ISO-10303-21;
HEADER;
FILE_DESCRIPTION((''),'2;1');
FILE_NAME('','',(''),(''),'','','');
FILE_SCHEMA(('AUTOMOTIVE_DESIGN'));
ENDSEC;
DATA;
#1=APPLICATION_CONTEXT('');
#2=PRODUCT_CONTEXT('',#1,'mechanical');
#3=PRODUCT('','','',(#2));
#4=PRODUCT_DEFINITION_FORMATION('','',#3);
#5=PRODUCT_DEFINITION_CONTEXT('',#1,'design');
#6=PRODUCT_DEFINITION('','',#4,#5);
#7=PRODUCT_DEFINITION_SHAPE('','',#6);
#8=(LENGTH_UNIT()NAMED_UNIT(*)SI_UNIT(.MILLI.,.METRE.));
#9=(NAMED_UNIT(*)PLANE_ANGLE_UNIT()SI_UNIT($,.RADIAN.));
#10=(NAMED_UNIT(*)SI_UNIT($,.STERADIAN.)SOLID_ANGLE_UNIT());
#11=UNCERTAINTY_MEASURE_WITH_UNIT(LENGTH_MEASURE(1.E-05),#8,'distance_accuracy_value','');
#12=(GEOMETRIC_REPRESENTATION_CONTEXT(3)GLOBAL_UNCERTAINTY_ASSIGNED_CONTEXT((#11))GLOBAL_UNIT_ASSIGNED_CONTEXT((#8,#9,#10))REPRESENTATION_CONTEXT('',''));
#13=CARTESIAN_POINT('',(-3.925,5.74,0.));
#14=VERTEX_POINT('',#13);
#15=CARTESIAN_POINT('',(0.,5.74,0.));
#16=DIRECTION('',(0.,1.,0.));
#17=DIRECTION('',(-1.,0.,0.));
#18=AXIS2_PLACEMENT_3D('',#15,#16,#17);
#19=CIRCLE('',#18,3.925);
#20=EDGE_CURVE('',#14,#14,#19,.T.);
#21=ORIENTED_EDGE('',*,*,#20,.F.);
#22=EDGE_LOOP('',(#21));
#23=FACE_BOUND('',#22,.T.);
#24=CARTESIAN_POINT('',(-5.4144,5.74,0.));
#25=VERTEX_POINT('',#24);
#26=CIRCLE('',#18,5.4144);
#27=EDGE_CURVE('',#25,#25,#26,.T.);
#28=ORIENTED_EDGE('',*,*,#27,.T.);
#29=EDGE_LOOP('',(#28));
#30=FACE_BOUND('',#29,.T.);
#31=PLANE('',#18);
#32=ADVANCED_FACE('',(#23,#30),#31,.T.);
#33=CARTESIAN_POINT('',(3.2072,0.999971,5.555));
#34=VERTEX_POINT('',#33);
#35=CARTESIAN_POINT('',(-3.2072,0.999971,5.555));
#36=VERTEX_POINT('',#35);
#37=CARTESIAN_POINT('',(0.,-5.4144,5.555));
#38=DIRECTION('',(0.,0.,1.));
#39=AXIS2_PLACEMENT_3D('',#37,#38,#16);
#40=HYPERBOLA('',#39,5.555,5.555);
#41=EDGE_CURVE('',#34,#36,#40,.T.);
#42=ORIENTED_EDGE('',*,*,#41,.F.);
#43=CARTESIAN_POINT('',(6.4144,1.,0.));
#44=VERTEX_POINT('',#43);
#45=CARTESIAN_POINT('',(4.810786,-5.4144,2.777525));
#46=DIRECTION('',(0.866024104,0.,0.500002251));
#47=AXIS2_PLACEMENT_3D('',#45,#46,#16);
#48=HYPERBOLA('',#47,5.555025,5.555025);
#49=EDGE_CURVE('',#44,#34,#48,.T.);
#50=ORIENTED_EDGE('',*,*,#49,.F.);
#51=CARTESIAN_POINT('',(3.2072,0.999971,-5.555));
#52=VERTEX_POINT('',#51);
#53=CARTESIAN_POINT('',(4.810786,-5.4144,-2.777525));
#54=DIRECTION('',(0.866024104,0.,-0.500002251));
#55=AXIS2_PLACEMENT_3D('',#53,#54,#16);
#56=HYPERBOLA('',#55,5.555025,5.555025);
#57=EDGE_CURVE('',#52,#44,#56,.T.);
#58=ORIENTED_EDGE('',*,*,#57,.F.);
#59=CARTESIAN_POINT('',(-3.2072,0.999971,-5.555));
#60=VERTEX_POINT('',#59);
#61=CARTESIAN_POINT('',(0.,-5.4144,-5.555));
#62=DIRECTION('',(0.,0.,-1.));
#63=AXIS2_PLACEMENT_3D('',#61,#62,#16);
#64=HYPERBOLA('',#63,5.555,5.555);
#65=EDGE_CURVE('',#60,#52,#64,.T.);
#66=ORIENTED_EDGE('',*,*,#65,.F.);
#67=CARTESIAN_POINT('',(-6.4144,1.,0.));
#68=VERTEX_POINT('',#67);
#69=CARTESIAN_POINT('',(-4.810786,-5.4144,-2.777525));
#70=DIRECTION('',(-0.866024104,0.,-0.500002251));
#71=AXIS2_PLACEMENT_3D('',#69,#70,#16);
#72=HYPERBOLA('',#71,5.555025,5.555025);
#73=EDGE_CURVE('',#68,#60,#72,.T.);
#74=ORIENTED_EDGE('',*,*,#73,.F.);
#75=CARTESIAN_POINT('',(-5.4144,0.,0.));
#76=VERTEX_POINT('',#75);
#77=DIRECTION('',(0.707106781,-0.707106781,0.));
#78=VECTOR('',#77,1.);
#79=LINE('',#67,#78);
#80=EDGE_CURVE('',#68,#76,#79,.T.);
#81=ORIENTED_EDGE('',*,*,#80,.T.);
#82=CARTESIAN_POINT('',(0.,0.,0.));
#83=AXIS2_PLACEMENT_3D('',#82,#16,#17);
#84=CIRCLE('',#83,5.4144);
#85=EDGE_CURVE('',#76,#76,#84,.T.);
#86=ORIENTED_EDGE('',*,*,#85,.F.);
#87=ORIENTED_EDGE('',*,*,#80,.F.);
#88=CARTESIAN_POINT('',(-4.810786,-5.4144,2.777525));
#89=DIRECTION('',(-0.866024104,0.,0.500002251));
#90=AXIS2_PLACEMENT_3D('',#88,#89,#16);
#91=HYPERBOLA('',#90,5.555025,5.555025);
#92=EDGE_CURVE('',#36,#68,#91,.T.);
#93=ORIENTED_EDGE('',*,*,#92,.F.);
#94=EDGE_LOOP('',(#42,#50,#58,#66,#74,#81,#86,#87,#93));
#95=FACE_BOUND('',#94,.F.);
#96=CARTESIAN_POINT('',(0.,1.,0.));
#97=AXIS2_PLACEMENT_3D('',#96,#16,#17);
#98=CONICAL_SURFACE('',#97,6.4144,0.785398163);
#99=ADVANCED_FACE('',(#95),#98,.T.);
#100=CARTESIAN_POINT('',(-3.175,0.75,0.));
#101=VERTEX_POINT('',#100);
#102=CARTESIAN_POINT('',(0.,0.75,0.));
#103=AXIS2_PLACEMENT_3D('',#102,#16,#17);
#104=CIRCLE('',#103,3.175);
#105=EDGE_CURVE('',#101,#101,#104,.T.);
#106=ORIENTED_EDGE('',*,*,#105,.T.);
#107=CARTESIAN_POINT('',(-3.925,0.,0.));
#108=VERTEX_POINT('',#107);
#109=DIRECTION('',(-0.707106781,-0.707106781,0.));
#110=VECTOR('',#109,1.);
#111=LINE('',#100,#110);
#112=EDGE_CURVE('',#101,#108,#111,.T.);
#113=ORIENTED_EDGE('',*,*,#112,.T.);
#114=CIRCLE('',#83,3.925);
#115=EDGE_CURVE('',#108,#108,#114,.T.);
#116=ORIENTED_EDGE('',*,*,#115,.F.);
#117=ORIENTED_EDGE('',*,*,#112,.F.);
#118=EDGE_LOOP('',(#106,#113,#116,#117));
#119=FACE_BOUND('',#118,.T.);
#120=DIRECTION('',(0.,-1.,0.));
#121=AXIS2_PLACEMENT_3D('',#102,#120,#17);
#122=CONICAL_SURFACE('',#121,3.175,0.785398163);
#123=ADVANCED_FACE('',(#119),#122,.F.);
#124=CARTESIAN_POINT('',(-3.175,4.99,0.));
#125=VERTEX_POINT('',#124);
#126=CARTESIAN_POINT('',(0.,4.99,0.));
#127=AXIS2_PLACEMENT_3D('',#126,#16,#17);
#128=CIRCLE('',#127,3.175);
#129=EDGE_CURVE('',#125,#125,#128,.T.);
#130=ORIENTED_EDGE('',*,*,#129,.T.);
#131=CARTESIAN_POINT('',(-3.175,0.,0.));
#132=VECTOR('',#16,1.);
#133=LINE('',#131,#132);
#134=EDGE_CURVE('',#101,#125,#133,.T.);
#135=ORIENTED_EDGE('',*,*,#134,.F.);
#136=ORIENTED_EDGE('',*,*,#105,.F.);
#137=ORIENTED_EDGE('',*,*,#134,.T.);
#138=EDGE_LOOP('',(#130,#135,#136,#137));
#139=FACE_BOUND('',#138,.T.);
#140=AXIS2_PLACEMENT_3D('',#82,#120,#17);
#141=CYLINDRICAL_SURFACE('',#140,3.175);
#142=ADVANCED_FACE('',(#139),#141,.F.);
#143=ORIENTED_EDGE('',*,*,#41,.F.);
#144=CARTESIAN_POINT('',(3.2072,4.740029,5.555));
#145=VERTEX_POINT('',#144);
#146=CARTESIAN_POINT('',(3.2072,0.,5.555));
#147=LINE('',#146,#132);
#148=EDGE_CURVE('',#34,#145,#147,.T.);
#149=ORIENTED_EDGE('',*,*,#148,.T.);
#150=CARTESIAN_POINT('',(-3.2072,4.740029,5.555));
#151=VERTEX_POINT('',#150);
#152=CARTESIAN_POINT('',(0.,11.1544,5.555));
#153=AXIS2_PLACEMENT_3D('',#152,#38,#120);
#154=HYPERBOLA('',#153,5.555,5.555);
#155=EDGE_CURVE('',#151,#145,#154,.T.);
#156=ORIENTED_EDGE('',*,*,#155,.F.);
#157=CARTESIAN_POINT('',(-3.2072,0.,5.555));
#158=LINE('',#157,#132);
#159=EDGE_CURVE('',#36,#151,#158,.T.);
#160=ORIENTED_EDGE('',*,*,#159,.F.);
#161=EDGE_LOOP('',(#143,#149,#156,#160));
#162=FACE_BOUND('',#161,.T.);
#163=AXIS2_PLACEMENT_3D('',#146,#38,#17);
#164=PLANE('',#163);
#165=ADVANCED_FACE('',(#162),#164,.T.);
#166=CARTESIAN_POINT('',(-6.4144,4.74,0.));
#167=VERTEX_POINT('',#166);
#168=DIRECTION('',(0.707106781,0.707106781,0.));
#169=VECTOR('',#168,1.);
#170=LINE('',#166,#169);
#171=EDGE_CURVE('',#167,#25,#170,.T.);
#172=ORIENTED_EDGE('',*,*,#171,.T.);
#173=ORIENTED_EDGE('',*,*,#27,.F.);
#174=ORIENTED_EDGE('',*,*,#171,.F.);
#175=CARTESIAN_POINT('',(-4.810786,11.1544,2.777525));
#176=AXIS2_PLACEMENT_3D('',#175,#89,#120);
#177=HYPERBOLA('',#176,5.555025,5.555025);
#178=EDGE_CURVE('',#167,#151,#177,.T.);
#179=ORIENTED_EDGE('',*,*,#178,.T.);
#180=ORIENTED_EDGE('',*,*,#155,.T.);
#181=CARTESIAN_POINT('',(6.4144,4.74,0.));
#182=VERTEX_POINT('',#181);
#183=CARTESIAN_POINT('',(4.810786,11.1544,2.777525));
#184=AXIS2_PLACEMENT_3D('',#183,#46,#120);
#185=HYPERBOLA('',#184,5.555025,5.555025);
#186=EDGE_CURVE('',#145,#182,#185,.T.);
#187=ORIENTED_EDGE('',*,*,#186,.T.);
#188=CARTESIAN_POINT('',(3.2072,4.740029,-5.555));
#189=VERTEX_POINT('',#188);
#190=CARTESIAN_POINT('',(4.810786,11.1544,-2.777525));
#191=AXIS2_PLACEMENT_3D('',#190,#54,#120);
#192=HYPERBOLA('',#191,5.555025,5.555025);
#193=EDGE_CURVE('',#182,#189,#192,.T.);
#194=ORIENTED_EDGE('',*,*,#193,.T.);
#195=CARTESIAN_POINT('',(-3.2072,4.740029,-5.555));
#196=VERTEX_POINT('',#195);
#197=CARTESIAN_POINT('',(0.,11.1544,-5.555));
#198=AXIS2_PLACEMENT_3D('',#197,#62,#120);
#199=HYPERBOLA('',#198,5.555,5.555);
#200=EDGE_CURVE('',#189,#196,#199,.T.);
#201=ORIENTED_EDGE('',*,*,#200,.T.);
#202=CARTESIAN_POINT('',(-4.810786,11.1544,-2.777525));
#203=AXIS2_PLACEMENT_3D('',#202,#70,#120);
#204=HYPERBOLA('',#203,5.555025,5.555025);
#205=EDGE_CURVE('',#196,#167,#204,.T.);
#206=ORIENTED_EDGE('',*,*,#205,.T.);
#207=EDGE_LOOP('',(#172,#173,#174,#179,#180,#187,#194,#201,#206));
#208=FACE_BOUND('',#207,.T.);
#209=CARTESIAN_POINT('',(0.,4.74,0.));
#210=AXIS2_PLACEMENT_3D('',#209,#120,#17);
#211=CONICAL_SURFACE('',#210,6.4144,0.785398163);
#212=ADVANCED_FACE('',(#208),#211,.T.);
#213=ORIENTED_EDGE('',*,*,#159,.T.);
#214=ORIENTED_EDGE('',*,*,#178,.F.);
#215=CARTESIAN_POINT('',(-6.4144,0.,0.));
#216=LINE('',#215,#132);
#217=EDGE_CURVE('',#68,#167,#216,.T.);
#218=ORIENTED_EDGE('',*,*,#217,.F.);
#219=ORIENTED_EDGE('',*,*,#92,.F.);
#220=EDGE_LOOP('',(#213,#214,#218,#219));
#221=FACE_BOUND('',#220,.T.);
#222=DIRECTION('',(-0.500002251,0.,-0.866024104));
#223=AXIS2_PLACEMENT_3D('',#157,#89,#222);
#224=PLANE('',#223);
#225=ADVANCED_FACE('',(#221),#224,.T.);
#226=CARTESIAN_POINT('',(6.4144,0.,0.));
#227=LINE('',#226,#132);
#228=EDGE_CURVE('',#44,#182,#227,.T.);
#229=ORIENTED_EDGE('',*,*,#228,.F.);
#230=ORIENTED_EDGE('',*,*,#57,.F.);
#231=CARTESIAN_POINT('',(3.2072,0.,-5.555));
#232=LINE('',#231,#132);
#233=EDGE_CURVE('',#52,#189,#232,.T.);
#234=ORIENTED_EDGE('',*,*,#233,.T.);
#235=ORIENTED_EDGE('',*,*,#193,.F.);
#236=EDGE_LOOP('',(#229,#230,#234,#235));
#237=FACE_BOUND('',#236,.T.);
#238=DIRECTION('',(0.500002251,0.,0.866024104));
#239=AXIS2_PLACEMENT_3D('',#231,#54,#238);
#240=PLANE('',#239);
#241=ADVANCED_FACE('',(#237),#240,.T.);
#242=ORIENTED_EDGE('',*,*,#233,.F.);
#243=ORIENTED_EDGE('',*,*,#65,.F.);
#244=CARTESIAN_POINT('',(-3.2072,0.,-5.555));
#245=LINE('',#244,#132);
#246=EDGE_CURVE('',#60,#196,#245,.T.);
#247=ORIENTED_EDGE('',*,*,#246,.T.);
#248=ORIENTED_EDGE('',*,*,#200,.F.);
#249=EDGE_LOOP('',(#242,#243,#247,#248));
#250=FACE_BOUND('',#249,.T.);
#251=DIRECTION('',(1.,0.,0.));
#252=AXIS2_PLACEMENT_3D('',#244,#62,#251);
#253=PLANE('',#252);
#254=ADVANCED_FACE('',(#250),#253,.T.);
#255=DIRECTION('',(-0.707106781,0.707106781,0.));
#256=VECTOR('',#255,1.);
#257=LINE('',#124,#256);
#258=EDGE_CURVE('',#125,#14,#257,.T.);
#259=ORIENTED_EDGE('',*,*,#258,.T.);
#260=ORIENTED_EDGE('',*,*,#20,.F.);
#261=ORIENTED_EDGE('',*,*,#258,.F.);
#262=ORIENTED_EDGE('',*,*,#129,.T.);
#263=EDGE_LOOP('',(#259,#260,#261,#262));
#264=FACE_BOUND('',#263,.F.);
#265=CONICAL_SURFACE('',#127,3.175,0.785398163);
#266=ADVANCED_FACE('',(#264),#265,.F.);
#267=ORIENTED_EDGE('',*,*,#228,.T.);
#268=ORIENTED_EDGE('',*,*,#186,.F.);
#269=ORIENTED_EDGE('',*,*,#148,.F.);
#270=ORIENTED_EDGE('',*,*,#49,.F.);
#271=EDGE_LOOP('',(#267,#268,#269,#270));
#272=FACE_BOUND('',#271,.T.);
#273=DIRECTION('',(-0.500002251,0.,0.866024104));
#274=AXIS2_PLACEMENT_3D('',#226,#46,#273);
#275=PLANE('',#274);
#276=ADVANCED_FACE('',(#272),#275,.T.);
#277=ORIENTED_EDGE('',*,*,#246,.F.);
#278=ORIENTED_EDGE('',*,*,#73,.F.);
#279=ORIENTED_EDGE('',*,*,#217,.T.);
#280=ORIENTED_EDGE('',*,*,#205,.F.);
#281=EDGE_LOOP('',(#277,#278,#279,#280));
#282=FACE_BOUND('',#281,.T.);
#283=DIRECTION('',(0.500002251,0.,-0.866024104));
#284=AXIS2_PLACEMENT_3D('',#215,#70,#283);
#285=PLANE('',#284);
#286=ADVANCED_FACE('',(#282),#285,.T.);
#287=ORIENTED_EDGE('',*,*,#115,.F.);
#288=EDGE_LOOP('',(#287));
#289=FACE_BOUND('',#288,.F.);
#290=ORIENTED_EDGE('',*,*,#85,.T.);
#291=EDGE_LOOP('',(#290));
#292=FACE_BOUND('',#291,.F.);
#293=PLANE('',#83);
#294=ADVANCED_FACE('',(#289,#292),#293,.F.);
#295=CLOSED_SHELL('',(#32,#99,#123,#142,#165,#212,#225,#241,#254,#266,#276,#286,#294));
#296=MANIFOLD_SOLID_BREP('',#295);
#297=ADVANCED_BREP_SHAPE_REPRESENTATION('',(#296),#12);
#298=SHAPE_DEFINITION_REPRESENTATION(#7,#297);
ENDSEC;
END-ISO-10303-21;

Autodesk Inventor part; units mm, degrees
ref_plane "YZ Plane" through (0, 0, 0) normal (1, 0, 0) x (0, 1, 0)
ref_plane "XZ Plane" through (0, 0, 0) normal (0, 1, 0) x (-1, 0, 0)
ref_plane "XY Plane" through (0, 0, 0) normal (0, 0, 1) x (1, 0, 0)
sketch "Esboço1" plane through (0, 0, 0) normal (0, 1, 0) x (-1, 0, 0)
  circle A0 centre (0, 0) radius 3.175
  line L0 (-3.2072, -5.555) -> (-6.4144, 0)
  line L1 (-6.4144, 0) -> (-3.2072, 5.555)
  line L2 (-3.2072, 5.555) -> (3.2072, 5.555)
  line L3 (3.2072, 5.555) -> (6.4144, 0)
  line L4 (6.4144, 0) -> (3.2072, -5.555)
  line L5 (3.2072, -5.555) -> (-3.2072, -5.555)
  dimension "d0" = 6.35
extrude "Extrusão1" add sketch "Esboço1" along normal blind 5.74
thread "Rosca1" size "1/4-20 UNC" class "2B" standard "ANSI Unified Screw Threads" full length
sketch "Esboço2" plane through (0, 0, 0) normal (0, 0, 1) x (1, 0, 0)
  line L0 (0, 0) -> (-3.175, 0)
  line L1 (3.2072, 5.74) -> (-3.2072, 5.74) projected
  line L2 (-3.2072, 5.74) -> (-6.4144, 5.74) projected
  line L3 (0, 0) -> (0, 10.6611)
  line L4 (-6.4144, 4.74) -> (-5.4144, 5.74)
  line L5 (-3.175, 4.99) -> (-3.925, 5.74)
  line L6 (-3.2072, 2.87) -> (-11.6119, 2.87)
  line L7 (-6.4144, 4.74) -> (-6.4144, 5.74)
  line L8 (-6.4144, 5.74) -> (-5.4144, 5.74)
  line L9 (-3.925, 5.74) -> (-3.175, 5.74)
  line L10 (-3.175, 4.99) -> (-3.175, 5.74)
  line L11 (-3.2072, 0) -> (-6.4144, 0)
  line L12 (-6.4144, 1) -> (-5.4144, 0)
  line L13 (-3.175, 0.75) -> (-3.925, 0)
  line L14 (-6.4144, 1) -> (-6.4144, 0)
  line L15 (-6.4144, 0) -> (-5.4144, 0)
  line L16 (-3.925, 0) -> (-3.175, 0)
  line L17 (-3.175, 0.75) -> (-3.175, 0)
  line L18 (-6.4144, 0) -> (-3.2072, 0) projected
  line L19 (-6.4144, 0) -> (-5.4144, 0)
  point P0 (-3.175, 5.74)
  dimension "d6" = 1
  dimension "d7" = 1
  dimension "d8" = 0.75
  dimension "d9" = 0.75
revolve "Revolução1" cut sketch "Esboço2" angle 360 about axis through (0, 0, 0) along (0, 1, 0)
equation "\"d7\" = d6"
equation "\"d9\" = d8"
properties part number "Porca sextavada 1 quarto" material "Aço, carbono"
